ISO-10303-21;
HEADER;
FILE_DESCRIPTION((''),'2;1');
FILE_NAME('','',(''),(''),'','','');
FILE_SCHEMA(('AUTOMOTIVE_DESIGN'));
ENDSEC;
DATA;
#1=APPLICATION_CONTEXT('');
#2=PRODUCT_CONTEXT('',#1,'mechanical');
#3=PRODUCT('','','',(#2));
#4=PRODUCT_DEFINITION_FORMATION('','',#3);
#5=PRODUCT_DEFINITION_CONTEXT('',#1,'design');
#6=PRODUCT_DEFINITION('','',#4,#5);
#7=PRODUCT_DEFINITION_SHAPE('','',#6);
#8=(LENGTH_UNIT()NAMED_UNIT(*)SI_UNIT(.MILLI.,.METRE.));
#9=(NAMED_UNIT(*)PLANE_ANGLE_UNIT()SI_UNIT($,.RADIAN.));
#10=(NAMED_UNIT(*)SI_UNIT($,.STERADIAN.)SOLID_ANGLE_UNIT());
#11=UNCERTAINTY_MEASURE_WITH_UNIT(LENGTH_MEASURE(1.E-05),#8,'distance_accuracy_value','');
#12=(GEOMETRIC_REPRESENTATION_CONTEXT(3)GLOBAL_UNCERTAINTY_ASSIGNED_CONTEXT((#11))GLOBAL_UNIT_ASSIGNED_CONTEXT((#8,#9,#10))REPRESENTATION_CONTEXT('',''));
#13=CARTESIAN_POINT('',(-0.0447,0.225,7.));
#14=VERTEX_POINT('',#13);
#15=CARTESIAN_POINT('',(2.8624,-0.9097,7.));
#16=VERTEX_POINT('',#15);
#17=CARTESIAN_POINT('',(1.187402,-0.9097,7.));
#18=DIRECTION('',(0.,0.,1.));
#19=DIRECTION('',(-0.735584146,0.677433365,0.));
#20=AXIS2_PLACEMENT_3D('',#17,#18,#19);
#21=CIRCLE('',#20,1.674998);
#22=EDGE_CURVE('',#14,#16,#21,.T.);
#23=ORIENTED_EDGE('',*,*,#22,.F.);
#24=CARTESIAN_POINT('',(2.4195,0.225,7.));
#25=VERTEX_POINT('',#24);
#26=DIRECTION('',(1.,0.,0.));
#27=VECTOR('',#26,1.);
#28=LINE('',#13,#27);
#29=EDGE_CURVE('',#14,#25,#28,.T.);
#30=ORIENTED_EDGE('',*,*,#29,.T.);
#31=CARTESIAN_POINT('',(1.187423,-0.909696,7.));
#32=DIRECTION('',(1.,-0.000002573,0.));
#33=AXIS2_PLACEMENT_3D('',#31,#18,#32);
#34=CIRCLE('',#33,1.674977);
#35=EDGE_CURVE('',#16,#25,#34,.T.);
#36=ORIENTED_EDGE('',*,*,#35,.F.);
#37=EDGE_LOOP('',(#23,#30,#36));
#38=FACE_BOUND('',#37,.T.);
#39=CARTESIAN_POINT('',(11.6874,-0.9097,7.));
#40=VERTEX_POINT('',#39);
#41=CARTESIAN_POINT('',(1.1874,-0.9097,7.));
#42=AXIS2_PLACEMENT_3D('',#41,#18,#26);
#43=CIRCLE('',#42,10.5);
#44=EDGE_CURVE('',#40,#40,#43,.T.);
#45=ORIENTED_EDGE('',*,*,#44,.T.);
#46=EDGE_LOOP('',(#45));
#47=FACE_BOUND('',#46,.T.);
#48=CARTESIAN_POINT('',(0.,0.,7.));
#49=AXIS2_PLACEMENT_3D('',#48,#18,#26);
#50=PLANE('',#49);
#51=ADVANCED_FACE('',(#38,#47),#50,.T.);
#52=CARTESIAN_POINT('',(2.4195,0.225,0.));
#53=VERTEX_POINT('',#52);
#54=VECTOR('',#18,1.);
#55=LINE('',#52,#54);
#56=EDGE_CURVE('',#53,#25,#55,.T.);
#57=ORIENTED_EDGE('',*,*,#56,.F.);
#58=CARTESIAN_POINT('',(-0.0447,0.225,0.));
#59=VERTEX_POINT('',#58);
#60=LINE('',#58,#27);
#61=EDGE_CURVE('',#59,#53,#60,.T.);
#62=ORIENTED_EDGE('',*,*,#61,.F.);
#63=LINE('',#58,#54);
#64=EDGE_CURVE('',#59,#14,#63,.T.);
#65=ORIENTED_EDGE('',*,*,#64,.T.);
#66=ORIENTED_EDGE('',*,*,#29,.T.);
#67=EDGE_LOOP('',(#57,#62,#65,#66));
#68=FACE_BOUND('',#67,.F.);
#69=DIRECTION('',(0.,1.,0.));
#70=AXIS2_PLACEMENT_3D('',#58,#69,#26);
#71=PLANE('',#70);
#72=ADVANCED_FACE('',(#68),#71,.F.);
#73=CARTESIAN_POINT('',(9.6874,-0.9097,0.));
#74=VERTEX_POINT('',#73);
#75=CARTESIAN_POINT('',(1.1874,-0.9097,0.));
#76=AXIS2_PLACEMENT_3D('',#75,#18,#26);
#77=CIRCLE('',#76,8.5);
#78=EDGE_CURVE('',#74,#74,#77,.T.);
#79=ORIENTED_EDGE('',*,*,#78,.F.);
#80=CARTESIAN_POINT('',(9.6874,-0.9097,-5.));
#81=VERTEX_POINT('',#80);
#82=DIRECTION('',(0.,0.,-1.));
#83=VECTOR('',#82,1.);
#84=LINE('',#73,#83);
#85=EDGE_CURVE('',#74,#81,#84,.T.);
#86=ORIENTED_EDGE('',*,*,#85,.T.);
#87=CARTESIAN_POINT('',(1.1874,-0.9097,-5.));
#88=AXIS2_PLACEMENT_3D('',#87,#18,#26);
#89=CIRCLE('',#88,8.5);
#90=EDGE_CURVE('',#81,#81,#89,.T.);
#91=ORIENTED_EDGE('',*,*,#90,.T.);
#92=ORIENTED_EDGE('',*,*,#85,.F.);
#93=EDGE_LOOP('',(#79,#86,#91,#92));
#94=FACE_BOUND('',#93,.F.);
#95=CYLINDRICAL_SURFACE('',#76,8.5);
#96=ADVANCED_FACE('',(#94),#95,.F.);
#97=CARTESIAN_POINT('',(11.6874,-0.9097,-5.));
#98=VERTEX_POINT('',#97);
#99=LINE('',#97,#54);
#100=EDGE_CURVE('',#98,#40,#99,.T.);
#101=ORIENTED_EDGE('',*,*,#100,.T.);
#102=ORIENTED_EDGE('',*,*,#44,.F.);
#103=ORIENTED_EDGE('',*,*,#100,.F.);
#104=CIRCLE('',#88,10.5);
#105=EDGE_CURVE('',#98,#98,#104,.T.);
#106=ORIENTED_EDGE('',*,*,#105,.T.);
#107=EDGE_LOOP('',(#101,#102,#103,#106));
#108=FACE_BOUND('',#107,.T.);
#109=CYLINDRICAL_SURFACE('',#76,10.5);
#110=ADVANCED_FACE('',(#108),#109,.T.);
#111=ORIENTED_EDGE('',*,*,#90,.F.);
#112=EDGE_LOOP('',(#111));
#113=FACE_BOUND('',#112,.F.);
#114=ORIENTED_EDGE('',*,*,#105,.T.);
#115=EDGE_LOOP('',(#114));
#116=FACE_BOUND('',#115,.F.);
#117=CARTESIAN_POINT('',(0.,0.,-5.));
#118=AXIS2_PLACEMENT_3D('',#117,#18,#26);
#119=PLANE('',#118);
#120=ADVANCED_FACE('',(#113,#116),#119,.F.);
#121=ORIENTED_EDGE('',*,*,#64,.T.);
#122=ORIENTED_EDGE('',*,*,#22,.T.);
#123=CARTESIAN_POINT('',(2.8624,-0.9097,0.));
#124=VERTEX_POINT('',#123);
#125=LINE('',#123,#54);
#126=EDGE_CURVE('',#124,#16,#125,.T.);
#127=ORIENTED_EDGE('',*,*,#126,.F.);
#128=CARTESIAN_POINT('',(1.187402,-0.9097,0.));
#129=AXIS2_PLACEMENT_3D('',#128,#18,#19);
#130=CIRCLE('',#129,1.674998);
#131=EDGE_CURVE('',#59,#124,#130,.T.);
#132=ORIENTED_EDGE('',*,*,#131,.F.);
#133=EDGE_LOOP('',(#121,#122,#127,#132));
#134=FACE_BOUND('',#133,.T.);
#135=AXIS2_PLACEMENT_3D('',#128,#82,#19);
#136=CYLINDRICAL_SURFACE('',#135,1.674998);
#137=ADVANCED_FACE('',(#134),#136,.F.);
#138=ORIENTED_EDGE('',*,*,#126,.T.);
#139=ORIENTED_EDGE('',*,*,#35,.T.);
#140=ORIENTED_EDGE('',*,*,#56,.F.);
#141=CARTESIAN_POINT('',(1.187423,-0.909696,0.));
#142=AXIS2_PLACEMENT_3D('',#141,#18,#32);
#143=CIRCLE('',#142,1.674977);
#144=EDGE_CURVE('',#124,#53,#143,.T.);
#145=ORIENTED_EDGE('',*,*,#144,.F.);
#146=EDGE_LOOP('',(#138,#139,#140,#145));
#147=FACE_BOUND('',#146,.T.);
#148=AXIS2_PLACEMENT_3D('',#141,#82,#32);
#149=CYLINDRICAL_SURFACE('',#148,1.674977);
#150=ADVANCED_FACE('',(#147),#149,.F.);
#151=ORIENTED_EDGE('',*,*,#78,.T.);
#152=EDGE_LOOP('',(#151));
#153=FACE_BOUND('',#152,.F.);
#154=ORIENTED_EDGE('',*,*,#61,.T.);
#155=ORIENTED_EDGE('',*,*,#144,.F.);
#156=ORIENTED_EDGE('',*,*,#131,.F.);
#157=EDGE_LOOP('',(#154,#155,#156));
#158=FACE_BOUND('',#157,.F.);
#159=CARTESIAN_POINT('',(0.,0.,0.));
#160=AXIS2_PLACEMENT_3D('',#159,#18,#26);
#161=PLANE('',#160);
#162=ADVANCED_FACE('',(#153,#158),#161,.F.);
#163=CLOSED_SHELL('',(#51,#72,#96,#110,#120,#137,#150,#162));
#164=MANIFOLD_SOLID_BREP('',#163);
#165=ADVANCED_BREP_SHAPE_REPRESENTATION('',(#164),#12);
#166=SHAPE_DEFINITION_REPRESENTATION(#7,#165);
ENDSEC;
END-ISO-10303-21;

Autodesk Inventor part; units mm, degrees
ref_plane "YZ Plane" through (0, 0, 0) normal (1, 0, 0) x (0, 1, 0)
ref_plane "XZ Plane" through (0, 0, 0) normal (0, 1, 0) x (-1, 0, 0)
ref_plane "XY Plane" through (0, 0, 0) normal (0, 0, 1) x (1, 0, 0)
sketch "Szkic1" plane through (0, 0, 0) normal (0, 0, 1) x (1, 0, 0)
  line L0 (2.3165, 0) -> (0.0582, 0) construction
  arc A0 (1.1874, -2.3597) -> (2.3165, 0) centre (1.1874, -0.9097) ccw construction
  arc A1 (0.0582, 0) -> (1.1874, -2.3597) centre (1.1874, -0.9097) ccw construction
  circle A2 centre (1.1874, -0.9097) radius 10.5
  line L1 (-0.0447, 0.225) -> (2.4195, 0.225)
  arc A3 (2.8624, -0.9097) -> (2.4195, 0.225) centre (1.1874, -0.9097) ccw
  arc A4 (-0.0447, 0.225) -> (2.8624, -0.9097) centre (1.1874, -0.9097) ccw
  circle A5 centre (1.1874, -0.9097) radius 8.5
  point P0 (0, 0)
  dimension "d0" = 21
  dimension "d7" = 1.45
  dimension "d8" = 0.225
  dimension "d9" = 17
extrude "Wyciągnięcie proste1" add sketch "Szkic1" along normal blind 7 contours A2 | A5
sketch "Szkic3" plane through (1.1874, -0.9097, 0) normal (0, 0, -1) x (-1, 0, 0)
  point P0 (1.1874, 0.9097)
extrude "Wyciągnięcie proste3" add sketch "Szkic1" against normal blind 5 contours A2
properties part number "felga"
